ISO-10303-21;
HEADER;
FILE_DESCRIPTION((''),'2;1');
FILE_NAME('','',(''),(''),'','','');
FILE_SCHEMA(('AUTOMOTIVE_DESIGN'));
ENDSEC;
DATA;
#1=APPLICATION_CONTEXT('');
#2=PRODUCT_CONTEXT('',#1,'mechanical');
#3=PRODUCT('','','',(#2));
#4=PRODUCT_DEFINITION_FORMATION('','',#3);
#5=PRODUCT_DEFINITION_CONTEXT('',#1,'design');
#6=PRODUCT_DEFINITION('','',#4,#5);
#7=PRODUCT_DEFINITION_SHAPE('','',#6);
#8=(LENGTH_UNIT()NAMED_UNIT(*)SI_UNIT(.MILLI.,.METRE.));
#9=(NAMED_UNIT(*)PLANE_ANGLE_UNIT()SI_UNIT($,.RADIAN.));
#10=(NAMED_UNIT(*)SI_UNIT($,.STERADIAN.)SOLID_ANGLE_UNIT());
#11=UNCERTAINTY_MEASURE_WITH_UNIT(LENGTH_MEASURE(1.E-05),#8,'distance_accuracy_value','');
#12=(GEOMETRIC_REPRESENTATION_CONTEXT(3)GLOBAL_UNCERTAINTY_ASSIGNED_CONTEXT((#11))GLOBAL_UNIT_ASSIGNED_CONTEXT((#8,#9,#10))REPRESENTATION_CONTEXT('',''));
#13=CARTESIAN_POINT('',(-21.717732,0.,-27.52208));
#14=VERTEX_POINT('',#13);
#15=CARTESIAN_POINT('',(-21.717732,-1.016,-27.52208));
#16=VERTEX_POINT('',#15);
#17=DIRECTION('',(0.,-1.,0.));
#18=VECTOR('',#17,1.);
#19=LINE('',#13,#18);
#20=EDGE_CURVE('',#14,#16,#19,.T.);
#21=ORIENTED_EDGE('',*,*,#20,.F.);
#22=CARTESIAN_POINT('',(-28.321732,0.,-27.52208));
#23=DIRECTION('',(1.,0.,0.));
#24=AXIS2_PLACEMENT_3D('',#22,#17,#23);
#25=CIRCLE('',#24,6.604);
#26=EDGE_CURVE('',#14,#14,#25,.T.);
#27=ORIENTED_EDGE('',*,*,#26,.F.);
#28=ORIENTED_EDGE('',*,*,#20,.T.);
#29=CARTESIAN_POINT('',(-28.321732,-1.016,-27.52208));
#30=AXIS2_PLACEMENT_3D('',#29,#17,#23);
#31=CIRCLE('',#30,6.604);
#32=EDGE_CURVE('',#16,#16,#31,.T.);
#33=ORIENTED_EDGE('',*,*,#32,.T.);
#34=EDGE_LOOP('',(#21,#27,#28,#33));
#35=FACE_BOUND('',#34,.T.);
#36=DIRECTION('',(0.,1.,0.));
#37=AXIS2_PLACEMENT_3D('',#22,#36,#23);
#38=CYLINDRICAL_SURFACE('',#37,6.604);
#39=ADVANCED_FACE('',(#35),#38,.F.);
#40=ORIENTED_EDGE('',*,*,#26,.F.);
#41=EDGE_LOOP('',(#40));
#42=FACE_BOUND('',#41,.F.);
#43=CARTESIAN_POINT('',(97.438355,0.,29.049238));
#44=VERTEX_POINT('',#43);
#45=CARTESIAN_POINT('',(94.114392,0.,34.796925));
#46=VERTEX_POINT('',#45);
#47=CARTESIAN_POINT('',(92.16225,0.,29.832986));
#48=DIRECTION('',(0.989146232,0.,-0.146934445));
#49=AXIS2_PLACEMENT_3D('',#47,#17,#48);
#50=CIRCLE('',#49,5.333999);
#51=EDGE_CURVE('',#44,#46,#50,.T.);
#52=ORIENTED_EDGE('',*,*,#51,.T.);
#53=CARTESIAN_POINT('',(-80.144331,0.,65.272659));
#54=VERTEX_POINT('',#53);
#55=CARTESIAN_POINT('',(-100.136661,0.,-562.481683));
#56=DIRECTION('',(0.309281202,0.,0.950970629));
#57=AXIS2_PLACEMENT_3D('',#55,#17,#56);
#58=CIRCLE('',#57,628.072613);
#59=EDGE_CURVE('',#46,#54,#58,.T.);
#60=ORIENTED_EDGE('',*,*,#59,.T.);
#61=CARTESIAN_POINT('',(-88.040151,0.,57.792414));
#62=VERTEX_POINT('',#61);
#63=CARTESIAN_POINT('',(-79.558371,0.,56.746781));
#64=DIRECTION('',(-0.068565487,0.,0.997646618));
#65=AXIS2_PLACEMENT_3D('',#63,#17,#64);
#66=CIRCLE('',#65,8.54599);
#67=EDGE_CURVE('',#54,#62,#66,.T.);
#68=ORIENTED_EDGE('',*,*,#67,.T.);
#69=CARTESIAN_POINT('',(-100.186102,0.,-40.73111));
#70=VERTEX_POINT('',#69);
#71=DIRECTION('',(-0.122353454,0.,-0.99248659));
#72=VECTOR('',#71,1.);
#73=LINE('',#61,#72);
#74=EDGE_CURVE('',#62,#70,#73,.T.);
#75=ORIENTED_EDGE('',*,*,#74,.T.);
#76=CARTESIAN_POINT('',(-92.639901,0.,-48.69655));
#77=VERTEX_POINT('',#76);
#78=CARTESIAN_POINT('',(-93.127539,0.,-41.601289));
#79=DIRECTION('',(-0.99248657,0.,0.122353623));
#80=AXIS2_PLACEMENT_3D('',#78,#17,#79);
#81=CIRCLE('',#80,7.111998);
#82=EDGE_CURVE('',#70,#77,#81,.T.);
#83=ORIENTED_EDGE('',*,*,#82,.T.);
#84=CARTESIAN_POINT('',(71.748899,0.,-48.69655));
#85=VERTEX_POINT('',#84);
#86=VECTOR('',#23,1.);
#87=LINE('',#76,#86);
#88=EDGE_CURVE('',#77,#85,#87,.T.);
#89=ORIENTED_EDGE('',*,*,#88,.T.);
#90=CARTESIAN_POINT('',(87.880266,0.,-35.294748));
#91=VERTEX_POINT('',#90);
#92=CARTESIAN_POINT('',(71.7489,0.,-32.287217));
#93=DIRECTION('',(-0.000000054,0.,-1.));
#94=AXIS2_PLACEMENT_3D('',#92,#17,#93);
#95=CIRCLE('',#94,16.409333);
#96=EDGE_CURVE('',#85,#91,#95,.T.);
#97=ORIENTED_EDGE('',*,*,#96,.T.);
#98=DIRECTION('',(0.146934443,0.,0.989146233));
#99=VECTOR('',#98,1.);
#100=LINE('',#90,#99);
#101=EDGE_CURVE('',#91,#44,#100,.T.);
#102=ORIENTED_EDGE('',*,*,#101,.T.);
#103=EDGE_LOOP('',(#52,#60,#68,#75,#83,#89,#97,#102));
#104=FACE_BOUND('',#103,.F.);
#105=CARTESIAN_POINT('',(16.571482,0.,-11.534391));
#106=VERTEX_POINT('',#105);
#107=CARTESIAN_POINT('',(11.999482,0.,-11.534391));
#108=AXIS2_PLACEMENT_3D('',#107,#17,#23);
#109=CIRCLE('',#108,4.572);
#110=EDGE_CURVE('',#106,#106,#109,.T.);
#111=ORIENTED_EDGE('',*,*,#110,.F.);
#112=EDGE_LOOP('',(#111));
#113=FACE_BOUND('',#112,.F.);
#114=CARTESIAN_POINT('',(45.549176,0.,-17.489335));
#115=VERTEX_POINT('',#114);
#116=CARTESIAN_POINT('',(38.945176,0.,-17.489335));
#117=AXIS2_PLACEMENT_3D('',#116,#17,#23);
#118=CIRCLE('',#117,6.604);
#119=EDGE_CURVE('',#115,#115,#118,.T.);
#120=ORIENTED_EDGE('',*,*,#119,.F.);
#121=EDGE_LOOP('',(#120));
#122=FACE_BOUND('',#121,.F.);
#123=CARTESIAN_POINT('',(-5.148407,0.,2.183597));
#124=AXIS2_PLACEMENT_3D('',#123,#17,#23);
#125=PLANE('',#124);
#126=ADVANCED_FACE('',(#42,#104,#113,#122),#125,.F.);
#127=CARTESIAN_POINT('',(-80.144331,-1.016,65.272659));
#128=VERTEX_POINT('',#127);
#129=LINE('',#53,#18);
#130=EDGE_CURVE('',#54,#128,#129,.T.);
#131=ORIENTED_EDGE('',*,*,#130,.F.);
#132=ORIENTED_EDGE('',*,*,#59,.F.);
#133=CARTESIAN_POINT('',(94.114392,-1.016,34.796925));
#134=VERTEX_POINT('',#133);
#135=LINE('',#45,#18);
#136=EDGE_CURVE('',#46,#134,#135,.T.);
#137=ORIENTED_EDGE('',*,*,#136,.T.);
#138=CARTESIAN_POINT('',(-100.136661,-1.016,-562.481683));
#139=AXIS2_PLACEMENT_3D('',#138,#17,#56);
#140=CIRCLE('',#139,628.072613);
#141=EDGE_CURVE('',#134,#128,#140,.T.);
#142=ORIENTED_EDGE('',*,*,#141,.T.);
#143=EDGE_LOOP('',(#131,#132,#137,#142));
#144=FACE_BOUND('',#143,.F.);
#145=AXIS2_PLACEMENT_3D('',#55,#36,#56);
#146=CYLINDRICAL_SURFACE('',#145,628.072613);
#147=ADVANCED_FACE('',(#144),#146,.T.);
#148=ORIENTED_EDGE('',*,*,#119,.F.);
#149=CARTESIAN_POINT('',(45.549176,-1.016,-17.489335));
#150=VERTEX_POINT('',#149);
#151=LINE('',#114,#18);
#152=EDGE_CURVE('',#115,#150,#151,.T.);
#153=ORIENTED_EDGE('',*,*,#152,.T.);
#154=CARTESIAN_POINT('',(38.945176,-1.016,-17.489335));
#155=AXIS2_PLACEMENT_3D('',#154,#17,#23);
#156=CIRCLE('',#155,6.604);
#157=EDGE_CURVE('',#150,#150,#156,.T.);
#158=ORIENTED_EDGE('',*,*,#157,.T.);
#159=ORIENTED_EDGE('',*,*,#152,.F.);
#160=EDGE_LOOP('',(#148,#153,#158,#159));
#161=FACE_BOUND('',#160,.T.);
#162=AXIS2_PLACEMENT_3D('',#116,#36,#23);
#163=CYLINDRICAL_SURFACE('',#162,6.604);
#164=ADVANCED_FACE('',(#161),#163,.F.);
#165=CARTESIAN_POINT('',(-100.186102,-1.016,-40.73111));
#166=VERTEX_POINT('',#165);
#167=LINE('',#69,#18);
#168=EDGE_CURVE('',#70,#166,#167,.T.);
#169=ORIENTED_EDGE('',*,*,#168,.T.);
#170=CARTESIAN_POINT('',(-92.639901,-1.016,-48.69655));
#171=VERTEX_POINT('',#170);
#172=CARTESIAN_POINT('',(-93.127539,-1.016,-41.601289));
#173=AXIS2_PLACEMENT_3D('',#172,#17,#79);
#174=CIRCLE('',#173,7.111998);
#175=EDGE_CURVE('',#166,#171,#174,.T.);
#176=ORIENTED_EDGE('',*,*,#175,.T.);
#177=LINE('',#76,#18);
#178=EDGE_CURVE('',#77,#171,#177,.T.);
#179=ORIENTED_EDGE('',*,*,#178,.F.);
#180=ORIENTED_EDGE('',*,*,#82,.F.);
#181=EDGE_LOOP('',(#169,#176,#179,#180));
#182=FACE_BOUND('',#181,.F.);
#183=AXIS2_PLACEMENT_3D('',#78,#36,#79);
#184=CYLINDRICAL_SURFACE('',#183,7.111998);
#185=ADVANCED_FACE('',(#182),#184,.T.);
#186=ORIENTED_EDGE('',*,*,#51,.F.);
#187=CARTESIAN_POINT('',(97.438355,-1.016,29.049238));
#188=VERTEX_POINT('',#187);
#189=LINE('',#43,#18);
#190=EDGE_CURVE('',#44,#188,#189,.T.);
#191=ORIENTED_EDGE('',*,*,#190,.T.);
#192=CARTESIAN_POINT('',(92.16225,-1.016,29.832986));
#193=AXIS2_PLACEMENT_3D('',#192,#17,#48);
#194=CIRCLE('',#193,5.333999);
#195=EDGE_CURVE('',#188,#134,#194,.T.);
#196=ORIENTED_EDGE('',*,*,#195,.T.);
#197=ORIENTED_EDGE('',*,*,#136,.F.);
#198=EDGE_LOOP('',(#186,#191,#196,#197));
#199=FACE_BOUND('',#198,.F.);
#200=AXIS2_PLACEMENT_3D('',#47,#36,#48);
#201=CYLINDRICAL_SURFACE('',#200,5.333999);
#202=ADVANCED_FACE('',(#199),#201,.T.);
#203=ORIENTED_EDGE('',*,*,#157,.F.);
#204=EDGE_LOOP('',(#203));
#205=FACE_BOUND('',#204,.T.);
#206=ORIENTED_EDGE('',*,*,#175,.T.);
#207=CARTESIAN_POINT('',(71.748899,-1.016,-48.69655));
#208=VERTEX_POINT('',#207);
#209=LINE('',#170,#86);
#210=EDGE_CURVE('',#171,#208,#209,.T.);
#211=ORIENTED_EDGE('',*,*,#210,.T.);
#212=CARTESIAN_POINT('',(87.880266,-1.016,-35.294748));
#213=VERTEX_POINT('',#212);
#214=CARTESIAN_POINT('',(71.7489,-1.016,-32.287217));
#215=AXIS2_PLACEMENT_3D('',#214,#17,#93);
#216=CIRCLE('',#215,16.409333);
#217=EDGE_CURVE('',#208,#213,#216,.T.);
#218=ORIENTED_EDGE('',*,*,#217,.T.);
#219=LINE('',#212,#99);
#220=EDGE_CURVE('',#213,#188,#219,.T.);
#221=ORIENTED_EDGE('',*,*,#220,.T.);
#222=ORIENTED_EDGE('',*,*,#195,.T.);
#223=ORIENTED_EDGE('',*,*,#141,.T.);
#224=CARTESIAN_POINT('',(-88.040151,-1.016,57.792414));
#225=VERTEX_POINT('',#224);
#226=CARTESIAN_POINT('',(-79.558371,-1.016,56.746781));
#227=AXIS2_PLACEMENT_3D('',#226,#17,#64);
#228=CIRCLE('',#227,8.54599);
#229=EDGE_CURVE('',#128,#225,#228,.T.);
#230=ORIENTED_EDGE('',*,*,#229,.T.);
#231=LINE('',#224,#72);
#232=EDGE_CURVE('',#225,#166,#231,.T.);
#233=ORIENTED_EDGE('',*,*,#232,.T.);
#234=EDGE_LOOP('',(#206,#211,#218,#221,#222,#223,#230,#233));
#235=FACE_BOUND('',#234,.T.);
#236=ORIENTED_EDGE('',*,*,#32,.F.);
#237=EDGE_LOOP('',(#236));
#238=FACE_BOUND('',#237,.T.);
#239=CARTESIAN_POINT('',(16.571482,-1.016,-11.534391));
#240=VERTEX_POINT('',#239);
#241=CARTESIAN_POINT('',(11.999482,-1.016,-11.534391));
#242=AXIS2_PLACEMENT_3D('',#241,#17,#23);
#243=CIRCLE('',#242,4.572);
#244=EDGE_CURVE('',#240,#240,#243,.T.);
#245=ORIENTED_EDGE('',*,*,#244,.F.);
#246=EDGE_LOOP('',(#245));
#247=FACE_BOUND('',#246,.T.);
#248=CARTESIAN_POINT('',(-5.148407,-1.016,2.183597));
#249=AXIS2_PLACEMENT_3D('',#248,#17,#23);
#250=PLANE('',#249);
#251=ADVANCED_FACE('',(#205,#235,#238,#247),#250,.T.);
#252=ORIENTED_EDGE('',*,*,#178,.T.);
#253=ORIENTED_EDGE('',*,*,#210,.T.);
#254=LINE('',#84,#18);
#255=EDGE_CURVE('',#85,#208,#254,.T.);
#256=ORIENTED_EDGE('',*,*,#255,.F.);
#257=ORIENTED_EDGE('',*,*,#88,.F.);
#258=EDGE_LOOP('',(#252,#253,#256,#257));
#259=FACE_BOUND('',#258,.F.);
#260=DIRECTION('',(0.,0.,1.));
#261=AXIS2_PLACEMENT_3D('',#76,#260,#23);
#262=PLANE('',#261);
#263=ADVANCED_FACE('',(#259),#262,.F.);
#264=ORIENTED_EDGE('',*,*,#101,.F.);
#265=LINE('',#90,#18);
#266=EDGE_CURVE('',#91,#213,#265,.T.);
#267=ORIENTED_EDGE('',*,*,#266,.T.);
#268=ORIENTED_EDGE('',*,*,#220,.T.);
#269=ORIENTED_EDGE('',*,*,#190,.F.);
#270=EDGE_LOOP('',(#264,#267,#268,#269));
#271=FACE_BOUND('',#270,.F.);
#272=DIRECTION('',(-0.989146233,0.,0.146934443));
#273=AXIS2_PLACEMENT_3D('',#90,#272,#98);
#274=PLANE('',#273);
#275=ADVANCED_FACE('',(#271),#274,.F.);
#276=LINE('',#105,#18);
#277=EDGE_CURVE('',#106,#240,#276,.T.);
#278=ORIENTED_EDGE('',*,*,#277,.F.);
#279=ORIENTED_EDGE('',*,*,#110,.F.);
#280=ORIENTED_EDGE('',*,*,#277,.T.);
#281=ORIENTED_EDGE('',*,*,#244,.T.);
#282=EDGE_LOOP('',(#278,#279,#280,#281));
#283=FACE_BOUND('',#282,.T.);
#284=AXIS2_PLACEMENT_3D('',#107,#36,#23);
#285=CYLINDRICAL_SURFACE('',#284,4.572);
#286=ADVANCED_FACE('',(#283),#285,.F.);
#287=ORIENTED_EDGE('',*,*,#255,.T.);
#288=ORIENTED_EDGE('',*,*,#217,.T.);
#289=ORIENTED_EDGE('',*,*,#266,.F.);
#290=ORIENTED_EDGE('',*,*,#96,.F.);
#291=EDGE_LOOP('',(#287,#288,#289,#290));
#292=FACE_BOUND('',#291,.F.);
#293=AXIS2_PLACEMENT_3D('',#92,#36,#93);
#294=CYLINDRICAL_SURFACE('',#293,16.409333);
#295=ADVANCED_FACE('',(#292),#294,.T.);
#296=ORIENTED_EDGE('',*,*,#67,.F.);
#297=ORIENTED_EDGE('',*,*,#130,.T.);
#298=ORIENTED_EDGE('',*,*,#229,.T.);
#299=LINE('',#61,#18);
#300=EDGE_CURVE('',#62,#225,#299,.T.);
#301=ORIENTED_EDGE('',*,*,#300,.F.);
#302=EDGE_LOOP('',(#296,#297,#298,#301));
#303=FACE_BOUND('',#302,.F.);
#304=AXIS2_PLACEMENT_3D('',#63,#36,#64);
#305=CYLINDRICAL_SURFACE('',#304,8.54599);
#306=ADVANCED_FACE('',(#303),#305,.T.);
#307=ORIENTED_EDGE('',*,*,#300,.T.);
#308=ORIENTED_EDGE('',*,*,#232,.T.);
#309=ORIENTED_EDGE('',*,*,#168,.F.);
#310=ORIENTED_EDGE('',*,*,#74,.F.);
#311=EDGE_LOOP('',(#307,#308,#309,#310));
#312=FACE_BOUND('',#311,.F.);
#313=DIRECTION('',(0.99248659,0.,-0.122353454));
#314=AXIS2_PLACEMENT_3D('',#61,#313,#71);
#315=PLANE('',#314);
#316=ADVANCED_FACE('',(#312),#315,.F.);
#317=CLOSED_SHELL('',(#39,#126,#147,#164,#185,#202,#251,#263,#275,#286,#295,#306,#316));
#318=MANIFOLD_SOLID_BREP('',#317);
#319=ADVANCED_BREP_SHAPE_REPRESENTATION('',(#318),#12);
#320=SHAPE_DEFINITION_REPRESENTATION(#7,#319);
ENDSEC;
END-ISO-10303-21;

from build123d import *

# Parameters (mm, degrees)
F1_DEPTH = 1.016
F0_R     = 6.604
F0_R_2   = 11.590192
F0_R_3   = 6.096
F0_R_4   = 4.572
F2_DEPTH = 1.016


with BuildPart() as f1:
    # F0 (on Front) → F1 (new body)
    with BuildSketch(Plane.XZ):
        with BuildLine():
            ThreePointArc((71.748899, -48.69655), (82.234953, -44.90898), (87.880266, -35.294748))
            Line((87.880266, -35.294748), (97.438355, 29.049238))
            ThreePointArc((97.438355, 29.049238), (96.779702, 32.50332), (94.114392, 34.796925))
            ThreePointArc((94.114392, 34.796925), (8.063382, 56.200754), (-80.144331, 65.272659))
            ThreePointArc((-80.144331, 65.272659), (-85.435827, 62.950768), (-88.040151, 57.792414))
            Line((-88.040151, 57.792414), (-100.186102, -40.73111))
            ThreePointArc((-100.186102, -40.73111), (-98.290515, -46.492526), (-92.639901, -48.69655))
            Line((-92.639901, -48.69655), (71.748899, -48.69655))
        make_face()
        with BuildLine():
            ThreePointArc((-68.658263, 50.559288), (4.937485, 42.307161), (77.003889, 25.252396))
            ThreePointArc((77.003889, 25.252396), (80.533579, 22.574015), (81.452525, 18.239506))
            Line((81.452525, 18.239506), (74.024657, -31.764068))
            ThreePointArc((74.024657, -31.764068), (72.957694, -33.701903), (70.884118, -34.472551))
            Line((70.884118, -34.472551), (33.536372, -34.472551))
            ThreePointArc((33.536372, -34.472551), (31.558624, -34.788397), (29.77762, -35.704516))
            ThreePointArc((29.77762, -35.704516), (11.863571, -41.576006), (-6.050479, -35.704516))
            ThreePointArc((-6.050479, -35.704516), (-7.831482, -34.788397), (-9.80923, -34.472551))
            Line((-9.80923, -34.472551), (-81.49242, -34.472551))
            ThreePointArc((-81.49242, -34.472551), (-83.870868, -33.40079), (-84.643565, -30.909079))
            Line((-84.643565, -30.909079), (-75.286183, 44.994587))
            ThreePointArc((-75.286183, 44.994587), (-73.066979, 49.080863), (-68.658263, 50.559288))
        make_face(mode=Mode.SUBTRACT)
    extrude(amount=F1_DEPTH)

    # F0 (on Front) → F2 (join)
    with BuildSketch(Plane.XZ):
        with BuildLine():
            ThreePointArc((81.452525, 18.239506), (80.533579, 22.574015), (77.003889, 25.252396))
            ThreePointArc((77.003889, 25.252396), (4.937485, 42.307161), (-68.658263, 50.559288))
            ThreePointArc((-68.658263, 50.559288), (-73.066979, 49.080863), (-75.286183, 44.994587))
            Line((-75.286183, 44.994587), (-84.643565, -30.909079))
            ThreePointArc((-84.643565, -30.909079), (-83.870868, -33.40079), (-81.49242, -34.472551))
            Line((-81.49242, -34.472551), (-9.80923, -34.472551))
            ThreePointArc((-9.80923, -34.472551), (-7.831482, -34.788397), (-6.050479, -35.704516))
            ThreePointArc((-6.050479, -35.704516), (11.863571, -41.576006), (29.77762, -35.704516))
            ThreePointArc((29.77762, -35.704516), (31.558624, -34.788397), (33.536372, -34.472551))
            Line((33.536372, -34.472551), (70.884118, -34.472551))
            ThreePointArc((70.884118, -34.472551), (72.957694, -33.701903), (74.024657, -31.764068))
            Line((74.024657, -31.764068), (81.452525, 18.239506))
        make_face()
        with Locations((-28.321732, -27.52208)):
            Circle(F0_R, mode=Mode.SUBTRACT)
        with Locations((11.999482, -11.534391)):
            Circle(F0_R_2, mode=Mode.SUBTRACT)
        with Locations((38.945176, -17.489335)):
            Circle(F0_R, mode=Mode.SUBTRACT)
        with Locations((11.999482, -11.534391)):
            Circle(F0_R_2)
        with Locations((11.999482, -11.534391)):
            Circle(F0_R_3, mode=Mode.SUBTRACT)
        with Locations((11.999482, -11.534391)):
            Circle(F0_R_3)
        with Locations((11.999482, -11.534391)):
            Circle(F0_R_4, mode=Mode.SUBTRACT)
    extrude(amount=F2_DEPTH)


solid = f1.part
